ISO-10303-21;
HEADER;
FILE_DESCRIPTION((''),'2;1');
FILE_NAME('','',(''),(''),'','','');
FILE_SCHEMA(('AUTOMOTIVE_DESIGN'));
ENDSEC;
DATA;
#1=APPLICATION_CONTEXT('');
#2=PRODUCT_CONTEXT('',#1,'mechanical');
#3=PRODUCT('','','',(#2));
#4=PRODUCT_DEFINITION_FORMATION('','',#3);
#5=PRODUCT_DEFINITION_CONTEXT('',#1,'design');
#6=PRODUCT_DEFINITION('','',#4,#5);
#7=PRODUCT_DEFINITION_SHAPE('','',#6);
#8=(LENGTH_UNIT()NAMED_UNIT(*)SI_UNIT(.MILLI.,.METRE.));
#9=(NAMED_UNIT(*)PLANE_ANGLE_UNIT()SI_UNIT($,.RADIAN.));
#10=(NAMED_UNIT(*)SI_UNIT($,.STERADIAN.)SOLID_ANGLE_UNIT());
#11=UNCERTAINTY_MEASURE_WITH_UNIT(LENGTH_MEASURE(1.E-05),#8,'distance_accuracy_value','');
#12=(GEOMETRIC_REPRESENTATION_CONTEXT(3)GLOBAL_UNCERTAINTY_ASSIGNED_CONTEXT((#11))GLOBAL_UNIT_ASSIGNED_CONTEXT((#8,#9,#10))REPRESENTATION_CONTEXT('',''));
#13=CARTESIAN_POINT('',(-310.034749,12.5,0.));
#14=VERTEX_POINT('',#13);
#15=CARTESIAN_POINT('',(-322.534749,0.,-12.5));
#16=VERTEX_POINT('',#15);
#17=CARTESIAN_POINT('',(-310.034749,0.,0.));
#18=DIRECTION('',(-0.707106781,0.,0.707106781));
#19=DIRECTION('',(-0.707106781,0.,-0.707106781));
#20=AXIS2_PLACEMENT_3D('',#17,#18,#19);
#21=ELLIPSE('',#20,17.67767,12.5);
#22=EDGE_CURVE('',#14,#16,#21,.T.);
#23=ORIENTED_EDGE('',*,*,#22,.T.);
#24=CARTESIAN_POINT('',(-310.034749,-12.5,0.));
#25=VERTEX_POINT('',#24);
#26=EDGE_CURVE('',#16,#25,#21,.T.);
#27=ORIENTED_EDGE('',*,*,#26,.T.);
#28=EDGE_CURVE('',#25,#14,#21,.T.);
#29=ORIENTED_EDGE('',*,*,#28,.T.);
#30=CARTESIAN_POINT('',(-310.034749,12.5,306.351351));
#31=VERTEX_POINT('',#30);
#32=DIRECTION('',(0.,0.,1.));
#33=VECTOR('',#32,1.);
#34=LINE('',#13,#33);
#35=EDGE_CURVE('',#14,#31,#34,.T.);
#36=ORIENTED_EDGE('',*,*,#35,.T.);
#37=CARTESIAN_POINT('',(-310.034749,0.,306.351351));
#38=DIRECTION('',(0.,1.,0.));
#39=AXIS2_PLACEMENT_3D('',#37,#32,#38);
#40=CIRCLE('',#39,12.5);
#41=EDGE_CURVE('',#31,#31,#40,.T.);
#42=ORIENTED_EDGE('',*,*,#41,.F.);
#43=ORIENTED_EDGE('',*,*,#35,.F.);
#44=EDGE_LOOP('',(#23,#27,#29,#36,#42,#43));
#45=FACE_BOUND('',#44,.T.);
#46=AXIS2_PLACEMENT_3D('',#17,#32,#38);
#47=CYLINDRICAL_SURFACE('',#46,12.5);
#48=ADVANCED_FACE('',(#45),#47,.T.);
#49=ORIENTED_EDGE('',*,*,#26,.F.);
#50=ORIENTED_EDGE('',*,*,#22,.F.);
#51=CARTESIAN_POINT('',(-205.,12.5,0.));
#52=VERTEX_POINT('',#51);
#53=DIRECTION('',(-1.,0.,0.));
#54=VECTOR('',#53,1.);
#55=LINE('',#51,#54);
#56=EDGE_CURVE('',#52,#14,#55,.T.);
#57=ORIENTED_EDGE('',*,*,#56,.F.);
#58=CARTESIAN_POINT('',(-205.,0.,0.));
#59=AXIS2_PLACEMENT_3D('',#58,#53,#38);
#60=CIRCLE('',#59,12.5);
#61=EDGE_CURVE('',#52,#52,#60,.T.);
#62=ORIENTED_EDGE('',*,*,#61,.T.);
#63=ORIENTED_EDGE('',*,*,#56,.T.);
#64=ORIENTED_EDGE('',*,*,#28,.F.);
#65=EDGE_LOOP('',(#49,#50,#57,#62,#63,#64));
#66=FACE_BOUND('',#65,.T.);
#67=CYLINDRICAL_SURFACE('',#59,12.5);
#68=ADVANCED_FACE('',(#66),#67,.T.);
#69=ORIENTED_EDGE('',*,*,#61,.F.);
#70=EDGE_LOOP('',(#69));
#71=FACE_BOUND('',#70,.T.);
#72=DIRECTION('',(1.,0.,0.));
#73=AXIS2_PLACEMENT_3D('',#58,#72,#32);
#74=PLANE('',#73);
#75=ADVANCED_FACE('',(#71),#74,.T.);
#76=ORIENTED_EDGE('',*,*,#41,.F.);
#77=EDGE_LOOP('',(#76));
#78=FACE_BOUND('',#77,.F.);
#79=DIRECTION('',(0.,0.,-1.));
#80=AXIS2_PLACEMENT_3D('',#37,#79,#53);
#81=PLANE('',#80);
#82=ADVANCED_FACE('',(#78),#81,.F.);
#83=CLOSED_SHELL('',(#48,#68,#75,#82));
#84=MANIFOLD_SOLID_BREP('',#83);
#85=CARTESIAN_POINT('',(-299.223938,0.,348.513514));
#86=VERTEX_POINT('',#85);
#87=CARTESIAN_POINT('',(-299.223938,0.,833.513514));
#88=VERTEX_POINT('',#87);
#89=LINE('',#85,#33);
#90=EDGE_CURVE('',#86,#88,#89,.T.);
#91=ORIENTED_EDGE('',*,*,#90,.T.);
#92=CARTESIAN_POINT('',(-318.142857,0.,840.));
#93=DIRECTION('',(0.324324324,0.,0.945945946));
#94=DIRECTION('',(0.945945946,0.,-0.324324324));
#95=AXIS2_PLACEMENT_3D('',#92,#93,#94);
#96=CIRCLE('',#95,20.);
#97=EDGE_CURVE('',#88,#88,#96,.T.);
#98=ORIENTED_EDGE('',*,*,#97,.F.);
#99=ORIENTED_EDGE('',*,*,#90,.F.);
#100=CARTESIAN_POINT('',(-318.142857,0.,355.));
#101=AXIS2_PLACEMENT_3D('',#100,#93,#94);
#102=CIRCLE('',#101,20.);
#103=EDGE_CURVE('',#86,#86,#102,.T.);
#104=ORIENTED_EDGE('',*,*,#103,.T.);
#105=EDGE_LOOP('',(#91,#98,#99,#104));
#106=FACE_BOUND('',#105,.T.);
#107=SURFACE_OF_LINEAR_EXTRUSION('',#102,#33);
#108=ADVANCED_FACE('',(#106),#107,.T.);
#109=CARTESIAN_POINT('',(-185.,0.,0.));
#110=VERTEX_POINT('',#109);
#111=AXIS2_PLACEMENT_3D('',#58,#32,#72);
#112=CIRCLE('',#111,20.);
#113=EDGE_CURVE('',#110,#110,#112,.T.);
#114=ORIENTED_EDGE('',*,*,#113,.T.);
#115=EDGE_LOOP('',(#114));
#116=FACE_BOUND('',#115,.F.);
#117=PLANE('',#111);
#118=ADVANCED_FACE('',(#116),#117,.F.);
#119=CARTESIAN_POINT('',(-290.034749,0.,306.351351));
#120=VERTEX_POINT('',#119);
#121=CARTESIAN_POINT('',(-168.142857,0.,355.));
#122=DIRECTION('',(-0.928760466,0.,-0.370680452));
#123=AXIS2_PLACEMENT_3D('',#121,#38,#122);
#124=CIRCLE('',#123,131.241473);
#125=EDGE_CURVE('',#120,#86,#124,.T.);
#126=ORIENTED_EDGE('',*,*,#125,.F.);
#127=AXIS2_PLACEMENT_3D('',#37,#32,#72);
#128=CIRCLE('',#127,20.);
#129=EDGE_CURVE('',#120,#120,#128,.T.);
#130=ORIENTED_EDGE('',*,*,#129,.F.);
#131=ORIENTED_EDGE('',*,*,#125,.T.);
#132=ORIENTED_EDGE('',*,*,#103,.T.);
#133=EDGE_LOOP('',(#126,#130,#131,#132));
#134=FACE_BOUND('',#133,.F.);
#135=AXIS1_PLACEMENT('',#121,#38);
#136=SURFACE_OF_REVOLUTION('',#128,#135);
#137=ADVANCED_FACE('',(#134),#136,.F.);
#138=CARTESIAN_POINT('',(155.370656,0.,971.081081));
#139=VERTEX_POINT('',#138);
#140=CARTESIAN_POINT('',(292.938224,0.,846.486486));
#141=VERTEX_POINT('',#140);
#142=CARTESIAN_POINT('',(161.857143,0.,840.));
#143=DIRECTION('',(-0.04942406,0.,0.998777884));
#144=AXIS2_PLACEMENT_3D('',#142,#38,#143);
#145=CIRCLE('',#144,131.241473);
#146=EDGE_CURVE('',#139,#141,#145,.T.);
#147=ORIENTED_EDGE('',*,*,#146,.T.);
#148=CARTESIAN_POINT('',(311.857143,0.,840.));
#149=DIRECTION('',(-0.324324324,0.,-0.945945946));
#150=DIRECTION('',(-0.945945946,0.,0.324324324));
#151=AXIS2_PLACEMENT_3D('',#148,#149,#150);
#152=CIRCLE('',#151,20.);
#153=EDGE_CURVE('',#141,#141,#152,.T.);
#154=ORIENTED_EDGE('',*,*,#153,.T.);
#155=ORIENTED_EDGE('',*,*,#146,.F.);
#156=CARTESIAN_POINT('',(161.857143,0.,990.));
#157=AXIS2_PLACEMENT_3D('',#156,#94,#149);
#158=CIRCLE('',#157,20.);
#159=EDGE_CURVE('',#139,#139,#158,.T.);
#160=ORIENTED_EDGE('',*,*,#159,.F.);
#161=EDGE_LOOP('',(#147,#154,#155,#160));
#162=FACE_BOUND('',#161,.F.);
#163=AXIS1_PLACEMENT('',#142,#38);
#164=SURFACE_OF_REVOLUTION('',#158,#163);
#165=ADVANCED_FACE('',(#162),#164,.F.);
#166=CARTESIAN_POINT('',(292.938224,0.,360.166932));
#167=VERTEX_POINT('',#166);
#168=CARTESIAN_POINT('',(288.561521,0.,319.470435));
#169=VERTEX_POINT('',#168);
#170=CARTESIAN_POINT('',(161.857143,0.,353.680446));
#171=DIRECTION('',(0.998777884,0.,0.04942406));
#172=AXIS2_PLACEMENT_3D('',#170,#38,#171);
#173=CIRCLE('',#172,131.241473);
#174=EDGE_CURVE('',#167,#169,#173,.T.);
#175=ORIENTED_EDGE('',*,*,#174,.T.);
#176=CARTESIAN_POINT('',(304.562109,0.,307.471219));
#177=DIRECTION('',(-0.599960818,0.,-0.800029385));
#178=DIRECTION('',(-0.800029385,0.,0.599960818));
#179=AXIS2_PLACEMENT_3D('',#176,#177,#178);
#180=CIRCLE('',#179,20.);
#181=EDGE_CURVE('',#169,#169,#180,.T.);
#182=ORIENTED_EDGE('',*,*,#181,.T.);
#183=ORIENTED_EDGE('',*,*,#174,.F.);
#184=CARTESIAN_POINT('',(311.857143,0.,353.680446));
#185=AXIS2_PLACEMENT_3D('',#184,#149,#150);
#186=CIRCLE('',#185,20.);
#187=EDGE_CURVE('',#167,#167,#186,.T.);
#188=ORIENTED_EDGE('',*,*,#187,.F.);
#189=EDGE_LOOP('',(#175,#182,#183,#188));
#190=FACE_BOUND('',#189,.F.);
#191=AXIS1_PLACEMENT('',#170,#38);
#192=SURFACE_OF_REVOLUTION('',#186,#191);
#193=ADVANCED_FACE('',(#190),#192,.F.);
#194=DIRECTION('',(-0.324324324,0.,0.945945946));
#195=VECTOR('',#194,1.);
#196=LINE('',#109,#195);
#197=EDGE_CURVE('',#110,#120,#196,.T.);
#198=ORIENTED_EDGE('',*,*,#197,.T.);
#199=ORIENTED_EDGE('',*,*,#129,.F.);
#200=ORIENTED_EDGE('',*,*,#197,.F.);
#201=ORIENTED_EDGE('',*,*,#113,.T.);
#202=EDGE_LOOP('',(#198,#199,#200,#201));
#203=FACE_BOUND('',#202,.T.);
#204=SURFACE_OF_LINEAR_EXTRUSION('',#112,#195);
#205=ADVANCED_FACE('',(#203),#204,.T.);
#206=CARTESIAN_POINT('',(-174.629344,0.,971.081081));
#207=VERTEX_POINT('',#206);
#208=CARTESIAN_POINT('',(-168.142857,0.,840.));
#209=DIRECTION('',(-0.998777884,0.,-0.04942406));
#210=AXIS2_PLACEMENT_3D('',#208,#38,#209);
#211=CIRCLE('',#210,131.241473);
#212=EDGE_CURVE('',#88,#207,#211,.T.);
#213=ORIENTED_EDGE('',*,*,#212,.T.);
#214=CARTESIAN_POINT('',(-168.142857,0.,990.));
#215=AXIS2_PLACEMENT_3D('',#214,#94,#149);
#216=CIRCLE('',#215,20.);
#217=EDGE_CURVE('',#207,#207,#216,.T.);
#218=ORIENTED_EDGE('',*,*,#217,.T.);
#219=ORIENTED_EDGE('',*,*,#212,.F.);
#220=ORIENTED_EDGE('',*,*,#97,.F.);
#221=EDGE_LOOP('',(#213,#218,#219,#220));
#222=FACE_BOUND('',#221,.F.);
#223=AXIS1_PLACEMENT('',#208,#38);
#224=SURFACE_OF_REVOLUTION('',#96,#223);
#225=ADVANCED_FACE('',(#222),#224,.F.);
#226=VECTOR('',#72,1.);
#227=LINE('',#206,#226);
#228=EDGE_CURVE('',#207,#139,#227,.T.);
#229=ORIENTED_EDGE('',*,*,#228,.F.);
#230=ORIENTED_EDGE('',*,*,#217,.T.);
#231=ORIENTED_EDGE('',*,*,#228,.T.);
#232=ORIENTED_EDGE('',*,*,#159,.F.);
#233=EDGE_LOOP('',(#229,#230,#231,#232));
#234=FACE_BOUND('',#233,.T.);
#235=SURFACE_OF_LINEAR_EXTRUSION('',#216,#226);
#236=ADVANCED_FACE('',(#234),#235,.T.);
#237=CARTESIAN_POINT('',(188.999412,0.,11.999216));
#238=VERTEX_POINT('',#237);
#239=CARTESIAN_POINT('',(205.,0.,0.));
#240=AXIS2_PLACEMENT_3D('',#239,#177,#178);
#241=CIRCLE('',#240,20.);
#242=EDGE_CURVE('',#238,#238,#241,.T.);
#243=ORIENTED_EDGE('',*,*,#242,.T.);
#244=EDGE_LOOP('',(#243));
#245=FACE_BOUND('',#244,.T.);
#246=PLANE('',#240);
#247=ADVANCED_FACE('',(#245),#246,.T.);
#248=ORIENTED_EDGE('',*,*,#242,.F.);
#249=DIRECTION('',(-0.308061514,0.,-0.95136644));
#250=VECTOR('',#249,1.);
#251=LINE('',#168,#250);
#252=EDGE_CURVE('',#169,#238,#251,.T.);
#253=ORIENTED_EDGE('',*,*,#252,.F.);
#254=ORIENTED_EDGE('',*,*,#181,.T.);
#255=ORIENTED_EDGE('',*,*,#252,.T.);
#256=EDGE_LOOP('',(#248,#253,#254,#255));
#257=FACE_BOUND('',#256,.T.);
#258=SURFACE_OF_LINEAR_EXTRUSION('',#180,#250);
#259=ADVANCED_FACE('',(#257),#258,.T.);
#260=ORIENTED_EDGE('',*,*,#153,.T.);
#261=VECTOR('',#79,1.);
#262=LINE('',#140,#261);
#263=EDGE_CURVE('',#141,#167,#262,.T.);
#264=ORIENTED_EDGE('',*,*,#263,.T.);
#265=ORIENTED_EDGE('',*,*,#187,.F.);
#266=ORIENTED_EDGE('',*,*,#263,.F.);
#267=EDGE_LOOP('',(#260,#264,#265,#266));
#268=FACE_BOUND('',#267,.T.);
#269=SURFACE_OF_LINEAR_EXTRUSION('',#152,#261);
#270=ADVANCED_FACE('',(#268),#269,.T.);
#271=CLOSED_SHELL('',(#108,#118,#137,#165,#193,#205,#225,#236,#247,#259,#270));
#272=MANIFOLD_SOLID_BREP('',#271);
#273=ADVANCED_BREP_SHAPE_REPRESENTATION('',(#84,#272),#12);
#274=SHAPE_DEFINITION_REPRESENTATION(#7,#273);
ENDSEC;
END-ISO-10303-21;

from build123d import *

# Parameters (mm, degrees)
F1_R = 20
F5_R = 12.5


with BuildPart() as f2:
    # F2: sweep along a path in F0
    with BuildLine(Plane.XZ) as f2_path:
        Line((-205, 0), (-310.0347490347, 306.3513513514))
        ThreePointArc((-310.0347490348, 306.3513513514), (-316.1019457177, 330.3401519042), (-318.1428571429, 355))
        Line((-318.1428571429, 355), (-318.1428571429, 840))
        ThreePointArc((-318.1428571429, 840), (-274.2088743208, 946.066017178), (-168.1428571429, 990))
        Line((-168.1428571429, 990), (161.8571428571, 990))
        ThreePointArc((161.8571428571, 990), (267.9231600351, 946.066017178), (311.8571428571, 840))
        Line((311.8571428571, 840), (311.8571428571, 353.680445735))
        ThreePointArc((311.8571428571, 353.680445735), (310.0221604984, 330.2896880011), (304.5621088923, 307.4712186379))
        Line((304.5621088923, 307.4712186379), (205, 0))
    # F1 (on Top) → F2 (sweep)
    with BuildSketch(Plane.XY):
        with Locations((-205, 0)):
            Circle(F1_R)
    sweep(path=f2_path.line)


with BuildPart() as f6:
    # F6: sweep along a path in F3
    with BuildLine(Plane.XZ) as f6_path:
        Line((-205, 0), (-310.0347490348, 0))
        Line((-310.0347490348, 0), (-310.0347490348, 306.3513513514))
    # F5 (on plane+point) → F6 (sweep)
    with BuildSketch(Plane.YZ.offset(-205)):
        Circle(F5_R)
    sweep(path=f6_path.line, transition=Transition.RIGHT)


solid = Compound([f2.part, f6.part])
